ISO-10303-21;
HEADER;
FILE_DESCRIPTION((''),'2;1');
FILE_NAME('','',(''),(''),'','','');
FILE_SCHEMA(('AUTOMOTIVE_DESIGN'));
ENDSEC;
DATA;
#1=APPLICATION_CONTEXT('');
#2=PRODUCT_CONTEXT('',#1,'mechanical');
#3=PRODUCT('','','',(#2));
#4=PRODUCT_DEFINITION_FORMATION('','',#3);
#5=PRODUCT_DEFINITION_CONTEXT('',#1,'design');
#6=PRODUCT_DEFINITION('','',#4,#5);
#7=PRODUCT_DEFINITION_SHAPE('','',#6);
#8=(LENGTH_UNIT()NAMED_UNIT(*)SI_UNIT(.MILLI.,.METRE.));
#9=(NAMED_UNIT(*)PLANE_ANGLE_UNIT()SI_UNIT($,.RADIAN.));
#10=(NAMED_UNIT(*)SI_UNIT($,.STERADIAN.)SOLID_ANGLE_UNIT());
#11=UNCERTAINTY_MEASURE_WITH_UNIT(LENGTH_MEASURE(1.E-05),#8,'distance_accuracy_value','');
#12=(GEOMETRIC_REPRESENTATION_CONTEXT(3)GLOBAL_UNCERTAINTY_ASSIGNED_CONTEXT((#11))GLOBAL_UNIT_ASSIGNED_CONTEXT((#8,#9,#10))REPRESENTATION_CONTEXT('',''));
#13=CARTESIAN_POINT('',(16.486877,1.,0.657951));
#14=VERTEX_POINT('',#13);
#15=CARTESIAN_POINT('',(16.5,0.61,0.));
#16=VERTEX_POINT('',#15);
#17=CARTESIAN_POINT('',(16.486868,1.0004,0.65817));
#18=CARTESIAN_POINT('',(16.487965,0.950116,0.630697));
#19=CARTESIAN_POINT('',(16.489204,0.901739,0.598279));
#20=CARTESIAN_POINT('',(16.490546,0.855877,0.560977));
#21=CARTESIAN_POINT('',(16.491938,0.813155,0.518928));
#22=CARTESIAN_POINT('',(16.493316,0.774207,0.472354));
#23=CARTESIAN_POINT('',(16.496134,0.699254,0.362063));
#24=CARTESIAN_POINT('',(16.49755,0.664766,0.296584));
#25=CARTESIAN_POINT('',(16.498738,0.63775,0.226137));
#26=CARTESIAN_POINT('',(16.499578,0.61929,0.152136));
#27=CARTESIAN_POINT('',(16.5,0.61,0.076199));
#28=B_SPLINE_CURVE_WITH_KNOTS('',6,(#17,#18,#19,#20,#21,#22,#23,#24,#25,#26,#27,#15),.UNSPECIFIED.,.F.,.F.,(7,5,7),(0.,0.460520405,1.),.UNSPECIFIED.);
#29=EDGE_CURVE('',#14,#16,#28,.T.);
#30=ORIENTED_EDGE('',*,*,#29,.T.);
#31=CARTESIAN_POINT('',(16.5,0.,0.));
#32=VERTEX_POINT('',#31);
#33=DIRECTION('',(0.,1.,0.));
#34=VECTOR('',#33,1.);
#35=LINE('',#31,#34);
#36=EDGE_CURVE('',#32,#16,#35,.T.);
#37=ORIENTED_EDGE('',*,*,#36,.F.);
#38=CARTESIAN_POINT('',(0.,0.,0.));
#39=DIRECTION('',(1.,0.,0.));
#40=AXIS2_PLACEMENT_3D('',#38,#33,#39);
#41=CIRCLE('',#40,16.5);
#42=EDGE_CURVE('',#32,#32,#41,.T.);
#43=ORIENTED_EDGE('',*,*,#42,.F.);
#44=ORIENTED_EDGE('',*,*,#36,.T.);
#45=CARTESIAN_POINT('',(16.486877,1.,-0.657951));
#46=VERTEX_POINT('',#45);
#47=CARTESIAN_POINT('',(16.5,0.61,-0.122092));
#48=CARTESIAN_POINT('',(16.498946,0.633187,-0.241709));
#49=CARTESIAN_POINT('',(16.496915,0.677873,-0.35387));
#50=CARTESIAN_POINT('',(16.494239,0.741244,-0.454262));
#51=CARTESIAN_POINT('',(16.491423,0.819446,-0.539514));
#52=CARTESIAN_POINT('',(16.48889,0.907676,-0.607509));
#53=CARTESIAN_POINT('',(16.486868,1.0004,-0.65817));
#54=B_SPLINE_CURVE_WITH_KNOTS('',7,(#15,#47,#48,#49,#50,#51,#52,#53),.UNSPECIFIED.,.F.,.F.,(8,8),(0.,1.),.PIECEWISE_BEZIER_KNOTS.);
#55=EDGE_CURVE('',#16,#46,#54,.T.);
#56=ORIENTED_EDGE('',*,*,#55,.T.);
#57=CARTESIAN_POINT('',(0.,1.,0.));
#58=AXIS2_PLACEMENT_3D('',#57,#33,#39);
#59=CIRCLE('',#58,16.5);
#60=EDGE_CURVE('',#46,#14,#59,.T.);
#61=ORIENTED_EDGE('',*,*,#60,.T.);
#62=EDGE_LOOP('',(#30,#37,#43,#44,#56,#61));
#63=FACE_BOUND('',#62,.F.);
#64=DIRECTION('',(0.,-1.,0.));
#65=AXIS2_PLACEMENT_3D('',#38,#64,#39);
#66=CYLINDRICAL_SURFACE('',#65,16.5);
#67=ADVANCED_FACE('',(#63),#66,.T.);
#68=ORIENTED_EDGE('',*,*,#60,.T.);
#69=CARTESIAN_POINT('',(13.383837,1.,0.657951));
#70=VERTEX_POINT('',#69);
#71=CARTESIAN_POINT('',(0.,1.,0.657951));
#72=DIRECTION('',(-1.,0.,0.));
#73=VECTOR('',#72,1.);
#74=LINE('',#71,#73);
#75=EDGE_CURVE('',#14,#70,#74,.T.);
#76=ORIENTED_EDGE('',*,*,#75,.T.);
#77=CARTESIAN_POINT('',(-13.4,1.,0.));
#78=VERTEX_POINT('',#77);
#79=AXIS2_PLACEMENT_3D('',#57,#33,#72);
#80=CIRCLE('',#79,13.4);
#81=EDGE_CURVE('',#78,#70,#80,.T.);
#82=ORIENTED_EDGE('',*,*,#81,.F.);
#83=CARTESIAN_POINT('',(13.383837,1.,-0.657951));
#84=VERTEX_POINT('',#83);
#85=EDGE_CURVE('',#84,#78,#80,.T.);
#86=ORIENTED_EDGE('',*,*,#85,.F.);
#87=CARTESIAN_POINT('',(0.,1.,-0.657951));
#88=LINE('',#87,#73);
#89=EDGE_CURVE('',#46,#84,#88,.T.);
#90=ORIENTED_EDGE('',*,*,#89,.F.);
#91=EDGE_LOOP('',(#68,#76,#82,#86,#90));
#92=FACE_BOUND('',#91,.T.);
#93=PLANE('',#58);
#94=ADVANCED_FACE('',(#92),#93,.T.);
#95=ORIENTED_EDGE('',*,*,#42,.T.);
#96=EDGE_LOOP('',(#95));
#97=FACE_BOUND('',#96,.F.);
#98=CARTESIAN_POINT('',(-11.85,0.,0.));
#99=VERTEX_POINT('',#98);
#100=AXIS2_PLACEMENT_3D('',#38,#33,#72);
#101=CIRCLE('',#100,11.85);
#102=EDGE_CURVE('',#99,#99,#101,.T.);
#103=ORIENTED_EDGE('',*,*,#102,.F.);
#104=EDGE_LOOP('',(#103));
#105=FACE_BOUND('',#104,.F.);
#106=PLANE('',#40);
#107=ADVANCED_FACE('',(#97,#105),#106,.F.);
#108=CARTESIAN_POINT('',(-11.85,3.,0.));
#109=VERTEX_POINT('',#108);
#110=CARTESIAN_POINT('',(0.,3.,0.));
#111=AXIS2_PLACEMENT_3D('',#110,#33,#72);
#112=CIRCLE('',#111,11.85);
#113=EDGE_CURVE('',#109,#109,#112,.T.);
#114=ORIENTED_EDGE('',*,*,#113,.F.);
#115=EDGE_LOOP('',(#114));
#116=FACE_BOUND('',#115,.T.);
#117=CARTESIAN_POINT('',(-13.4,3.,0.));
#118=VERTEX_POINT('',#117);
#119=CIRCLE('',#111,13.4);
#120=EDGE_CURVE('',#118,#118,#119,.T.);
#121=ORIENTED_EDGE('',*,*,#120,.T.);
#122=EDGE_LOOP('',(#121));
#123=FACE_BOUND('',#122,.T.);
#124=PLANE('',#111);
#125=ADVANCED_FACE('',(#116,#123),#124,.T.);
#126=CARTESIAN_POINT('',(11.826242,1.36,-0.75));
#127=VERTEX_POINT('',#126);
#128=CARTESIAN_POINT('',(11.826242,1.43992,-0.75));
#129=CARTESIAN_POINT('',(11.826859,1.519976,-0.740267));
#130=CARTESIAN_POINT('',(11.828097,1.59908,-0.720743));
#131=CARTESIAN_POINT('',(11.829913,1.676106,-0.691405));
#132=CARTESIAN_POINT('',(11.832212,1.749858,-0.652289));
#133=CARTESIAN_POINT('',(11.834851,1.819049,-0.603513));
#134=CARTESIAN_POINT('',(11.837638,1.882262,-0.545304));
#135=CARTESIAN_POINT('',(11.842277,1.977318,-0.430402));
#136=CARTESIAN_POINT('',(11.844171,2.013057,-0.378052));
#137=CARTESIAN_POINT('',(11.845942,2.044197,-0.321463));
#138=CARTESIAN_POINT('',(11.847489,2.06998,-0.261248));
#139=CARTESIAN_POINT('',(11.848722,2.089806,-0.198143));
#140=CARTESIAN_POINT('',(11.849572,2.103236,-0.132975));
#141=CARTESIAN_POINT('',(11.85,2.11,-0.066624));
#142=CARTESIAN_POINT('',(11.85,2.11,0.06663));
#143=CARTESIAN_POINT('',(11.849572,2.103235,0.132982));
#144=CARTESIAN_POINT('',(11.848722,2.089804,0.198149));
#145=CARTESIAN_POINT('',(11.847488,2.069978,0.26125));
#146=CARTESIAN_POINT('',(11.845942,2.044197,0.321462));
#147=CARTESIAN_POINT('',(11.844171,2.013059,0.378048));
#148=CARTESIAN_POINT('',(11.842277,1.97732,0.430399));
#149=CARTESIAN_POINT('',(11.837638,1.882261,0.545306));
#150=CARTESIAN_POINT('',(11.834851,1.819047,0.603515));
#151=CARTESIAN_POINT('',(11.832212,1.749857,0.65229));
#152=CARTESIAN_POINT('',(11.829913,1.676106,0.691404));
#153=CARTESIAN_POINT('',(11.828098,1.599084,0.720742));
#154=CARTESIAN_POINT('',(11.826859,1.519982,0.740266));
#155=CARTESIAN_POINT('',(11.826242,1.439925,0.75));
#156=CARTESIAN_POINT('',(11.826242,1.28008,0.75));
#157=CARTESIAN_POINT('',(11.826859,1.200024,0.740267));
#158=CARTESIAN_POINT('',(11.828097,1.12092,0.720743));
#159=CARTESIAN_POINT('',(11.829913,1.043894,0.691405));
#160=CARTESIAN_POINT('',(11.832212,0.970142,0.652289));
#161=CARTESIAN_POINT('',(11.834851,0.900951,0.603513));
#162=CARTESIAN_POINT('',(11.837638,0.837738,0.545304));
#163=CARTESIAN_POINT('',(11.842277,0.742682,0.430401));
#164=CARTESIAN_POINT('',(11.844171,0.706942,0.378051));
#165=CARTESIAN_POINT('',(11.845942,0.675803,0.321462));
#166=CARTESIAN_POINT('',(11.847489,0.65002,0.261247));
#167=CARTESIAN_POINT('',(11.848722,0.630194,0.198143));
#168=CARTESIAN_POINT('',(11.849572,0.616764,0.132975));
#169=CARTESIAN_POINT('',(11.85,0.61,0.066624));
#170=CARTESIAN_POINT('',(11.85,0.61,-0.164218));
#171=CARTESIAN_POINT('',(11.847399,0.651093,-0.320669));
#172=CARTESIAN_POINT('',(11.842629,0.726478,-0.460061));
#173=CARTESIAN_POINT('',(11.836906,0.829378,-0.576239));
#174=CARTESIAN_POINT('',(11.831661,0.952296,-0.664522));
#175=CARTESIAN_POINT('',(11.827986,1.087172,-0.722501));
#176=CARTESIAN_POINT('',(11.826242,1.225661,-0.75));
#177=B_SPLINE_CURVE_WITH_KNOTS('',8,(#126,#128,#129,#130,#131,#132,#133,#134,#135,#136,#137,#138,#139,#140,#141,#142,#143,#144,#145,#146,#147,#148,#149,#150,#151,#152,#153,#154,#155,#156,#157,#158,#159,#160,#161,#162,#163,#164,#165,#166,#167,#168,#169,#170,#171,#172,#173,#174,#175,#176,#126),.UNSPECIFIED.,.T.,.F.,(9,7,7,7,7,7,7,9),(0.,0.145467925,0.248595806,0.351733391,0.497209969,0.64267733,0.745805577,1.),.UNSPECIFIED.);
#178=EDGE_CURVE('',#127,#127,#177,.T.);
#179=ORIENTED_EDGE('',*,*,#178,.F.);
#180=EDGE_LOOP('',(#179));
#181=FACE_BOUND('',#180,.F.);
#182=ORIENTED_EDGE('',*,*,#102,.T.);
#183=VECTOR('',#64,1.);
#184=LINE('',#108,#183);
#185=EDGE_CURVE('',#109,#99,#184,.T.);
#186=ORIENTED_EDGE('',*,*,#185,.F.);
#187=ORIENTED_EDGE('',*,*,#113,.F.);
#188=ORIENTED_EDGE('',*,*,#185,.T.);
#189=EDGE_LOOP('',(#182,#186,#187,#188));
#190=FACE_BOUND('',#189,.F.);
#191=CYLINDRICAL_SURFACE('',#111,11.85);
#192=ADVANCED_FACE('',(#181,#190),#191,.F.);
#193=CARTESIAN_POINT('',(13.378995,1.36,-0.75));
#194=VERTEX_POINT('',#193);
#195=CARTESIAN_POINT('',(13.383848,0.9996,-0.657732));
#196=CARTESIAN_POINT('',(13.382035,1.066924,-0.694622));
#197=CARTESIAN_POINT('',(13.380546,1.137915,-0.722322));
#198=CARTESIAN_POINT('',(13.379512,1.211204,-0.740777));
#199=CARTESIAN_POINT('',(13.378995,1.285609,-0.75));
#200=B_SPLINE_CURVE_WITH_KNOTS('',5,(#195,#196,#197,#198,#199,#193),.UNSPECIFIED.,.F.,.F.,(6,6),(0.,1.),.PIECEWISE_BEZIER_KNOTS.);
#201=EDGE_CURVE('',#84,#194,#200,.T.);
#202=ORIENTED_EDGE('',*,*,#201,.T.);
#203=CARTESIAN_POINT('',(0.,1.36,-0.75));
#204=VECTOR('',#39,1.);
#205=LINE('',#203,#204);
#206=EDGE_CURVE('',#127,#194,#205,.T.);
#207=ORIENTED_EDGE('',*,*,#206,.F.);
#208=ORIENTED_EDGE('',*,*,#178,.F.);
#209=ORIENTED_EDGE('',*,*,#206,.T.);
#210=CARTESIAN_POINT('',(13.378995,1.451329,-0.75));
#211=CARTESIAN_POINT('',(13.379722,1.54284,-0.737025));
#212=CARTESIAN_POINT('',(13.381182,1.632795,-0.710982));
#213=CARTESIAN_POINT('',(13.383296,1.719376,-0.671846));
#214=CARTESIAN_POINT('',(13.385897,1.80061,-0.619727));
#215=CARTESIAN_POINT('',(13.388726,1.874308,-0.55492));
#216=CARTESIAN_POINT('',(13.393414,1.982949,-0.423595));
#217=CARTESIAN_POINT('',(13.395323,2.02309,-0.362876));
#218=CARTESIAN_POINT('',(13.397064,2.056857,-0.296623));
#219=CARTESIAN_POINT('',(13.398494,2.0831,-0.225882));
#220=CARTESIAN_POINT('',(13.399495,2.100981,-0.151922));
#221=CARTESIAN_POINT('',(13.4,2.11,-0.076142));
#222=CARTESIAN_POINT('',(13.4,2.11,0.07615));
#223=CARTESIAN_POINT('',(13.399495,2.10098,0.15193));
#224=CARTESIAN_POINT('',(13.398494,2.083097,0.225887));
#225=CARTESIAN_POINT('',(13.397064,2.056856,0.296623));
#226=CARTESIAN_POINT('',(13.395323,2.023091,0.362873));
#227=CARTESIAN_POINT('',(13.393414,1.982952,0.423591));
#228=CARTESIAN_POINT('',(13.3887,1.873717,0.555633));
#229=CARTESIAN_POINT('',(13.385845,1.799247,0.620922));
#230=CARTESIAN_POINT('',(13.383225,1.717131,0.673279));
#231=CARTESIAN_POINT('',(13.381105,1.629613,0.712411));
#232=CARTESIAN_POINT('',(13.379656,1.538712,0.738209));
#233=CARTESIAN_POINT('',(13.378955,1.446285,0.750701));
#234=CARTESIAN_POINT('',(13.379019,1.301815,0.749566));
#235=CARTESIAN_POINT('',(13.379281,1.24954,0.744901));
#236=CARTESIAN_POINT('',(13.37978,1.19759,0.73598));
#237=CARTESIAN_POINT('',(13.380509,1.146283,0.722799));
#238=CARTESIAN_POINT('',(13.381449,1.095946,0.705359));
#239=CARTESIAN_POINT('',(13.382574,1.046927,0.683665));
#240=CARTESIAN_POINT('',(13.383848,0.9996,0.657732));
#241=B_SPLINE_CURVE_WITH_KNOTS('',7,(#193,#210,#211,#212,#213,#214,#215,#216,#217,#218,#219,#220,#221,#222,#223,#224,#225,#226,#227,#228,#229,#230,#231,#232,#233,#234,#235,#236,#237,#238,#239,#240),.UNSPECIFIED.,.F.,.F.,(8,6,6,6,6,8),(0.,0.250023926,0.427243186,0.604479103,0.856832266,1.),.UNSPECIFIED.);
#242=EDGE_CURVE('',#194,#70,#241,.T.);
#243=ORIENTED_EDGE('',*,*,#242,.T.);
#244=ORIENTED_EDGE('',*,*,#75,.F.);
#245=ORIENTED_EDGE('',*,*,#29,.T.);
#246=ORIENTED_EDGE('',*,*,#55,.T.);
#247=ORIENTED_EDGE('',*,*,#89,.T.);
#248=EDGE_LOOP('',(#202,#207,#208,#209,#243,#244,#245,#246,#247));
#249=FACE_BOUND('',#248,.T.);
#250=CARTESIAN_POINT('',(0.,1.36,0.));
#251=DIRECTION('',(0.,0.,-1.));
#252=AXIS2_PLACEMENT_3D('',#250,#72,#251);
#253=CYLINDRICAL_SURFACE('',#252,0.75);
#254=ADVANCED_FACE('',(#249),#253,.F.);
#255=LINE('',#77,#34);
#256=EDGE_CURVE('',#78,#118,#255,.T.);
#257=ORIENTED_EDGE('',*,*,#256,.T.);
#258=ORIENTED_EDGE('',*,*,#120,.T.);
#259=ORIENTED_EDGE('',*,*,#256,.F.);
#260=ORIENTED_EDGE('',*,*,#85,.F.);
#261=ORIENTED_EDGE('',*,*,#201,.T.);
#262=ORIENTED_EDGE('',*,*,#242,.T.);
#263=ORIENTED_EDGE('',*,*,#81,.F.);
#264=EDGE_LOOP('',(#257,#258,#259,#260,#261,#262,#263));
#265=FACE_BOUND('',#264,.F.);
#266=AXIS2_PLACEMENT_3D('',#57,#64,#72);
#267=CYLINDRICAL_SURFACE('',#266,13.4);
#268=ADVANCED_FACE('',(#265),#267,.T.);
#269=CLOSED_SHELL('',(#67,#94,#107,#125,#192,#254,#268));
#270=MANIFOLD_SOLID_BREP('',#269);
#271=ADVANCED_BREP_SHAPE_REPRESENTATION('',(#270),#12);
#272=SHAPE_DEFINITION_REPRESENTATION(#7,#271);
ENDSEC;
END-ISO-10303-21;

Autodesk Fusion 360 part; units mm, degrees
sketch "Sketch1" plane through (0, 0, 0) normal (0, 1, 0) x (1, 0, 0)
  circle A0 centre (0, 0) radius 16.5
  dimension "d1" = 33
extrude "Extrude1" add sketch "Sketch1" along normal blind 1
sketch "Sketch2" plane through (0, 1, 0) normal (0, 1, 0) x (-1, 0, 0)
  circle A0 centre (0, 0) radius 16.5
  circle A1 centre (0, 0) radius 13.4
  dimension "d4" = 26.8
extrude "Extrude2" add sketch "Sketch2" along normal blind 2 contours A1
sketch "Sketch3" plane through (0, 3, 0) normal (0, 1, 0) x (-1, 0, 0)
  circle A0 centre (0, 0) radius 13.4
  circle A1 centre (0, 0) radius 11.85
  dimension "d7" = 23.7
extrude "Extrude3" cut sketch "Sketch3" against normal through all contours A1
sketch "Sketch5" plane through (0, 0, 0) normal (1, 0, 0) x (0, 0, -1)
  circle A0 centre (0, 1.36) radius 0.75
  line L0 (16.5, 0) -> (-16.5, 0)
  dimension "d11" = 1.5
  dimension "d12" = 1.36
extrude "Extrude4" cut sketch "Sketch5" along normal through all
